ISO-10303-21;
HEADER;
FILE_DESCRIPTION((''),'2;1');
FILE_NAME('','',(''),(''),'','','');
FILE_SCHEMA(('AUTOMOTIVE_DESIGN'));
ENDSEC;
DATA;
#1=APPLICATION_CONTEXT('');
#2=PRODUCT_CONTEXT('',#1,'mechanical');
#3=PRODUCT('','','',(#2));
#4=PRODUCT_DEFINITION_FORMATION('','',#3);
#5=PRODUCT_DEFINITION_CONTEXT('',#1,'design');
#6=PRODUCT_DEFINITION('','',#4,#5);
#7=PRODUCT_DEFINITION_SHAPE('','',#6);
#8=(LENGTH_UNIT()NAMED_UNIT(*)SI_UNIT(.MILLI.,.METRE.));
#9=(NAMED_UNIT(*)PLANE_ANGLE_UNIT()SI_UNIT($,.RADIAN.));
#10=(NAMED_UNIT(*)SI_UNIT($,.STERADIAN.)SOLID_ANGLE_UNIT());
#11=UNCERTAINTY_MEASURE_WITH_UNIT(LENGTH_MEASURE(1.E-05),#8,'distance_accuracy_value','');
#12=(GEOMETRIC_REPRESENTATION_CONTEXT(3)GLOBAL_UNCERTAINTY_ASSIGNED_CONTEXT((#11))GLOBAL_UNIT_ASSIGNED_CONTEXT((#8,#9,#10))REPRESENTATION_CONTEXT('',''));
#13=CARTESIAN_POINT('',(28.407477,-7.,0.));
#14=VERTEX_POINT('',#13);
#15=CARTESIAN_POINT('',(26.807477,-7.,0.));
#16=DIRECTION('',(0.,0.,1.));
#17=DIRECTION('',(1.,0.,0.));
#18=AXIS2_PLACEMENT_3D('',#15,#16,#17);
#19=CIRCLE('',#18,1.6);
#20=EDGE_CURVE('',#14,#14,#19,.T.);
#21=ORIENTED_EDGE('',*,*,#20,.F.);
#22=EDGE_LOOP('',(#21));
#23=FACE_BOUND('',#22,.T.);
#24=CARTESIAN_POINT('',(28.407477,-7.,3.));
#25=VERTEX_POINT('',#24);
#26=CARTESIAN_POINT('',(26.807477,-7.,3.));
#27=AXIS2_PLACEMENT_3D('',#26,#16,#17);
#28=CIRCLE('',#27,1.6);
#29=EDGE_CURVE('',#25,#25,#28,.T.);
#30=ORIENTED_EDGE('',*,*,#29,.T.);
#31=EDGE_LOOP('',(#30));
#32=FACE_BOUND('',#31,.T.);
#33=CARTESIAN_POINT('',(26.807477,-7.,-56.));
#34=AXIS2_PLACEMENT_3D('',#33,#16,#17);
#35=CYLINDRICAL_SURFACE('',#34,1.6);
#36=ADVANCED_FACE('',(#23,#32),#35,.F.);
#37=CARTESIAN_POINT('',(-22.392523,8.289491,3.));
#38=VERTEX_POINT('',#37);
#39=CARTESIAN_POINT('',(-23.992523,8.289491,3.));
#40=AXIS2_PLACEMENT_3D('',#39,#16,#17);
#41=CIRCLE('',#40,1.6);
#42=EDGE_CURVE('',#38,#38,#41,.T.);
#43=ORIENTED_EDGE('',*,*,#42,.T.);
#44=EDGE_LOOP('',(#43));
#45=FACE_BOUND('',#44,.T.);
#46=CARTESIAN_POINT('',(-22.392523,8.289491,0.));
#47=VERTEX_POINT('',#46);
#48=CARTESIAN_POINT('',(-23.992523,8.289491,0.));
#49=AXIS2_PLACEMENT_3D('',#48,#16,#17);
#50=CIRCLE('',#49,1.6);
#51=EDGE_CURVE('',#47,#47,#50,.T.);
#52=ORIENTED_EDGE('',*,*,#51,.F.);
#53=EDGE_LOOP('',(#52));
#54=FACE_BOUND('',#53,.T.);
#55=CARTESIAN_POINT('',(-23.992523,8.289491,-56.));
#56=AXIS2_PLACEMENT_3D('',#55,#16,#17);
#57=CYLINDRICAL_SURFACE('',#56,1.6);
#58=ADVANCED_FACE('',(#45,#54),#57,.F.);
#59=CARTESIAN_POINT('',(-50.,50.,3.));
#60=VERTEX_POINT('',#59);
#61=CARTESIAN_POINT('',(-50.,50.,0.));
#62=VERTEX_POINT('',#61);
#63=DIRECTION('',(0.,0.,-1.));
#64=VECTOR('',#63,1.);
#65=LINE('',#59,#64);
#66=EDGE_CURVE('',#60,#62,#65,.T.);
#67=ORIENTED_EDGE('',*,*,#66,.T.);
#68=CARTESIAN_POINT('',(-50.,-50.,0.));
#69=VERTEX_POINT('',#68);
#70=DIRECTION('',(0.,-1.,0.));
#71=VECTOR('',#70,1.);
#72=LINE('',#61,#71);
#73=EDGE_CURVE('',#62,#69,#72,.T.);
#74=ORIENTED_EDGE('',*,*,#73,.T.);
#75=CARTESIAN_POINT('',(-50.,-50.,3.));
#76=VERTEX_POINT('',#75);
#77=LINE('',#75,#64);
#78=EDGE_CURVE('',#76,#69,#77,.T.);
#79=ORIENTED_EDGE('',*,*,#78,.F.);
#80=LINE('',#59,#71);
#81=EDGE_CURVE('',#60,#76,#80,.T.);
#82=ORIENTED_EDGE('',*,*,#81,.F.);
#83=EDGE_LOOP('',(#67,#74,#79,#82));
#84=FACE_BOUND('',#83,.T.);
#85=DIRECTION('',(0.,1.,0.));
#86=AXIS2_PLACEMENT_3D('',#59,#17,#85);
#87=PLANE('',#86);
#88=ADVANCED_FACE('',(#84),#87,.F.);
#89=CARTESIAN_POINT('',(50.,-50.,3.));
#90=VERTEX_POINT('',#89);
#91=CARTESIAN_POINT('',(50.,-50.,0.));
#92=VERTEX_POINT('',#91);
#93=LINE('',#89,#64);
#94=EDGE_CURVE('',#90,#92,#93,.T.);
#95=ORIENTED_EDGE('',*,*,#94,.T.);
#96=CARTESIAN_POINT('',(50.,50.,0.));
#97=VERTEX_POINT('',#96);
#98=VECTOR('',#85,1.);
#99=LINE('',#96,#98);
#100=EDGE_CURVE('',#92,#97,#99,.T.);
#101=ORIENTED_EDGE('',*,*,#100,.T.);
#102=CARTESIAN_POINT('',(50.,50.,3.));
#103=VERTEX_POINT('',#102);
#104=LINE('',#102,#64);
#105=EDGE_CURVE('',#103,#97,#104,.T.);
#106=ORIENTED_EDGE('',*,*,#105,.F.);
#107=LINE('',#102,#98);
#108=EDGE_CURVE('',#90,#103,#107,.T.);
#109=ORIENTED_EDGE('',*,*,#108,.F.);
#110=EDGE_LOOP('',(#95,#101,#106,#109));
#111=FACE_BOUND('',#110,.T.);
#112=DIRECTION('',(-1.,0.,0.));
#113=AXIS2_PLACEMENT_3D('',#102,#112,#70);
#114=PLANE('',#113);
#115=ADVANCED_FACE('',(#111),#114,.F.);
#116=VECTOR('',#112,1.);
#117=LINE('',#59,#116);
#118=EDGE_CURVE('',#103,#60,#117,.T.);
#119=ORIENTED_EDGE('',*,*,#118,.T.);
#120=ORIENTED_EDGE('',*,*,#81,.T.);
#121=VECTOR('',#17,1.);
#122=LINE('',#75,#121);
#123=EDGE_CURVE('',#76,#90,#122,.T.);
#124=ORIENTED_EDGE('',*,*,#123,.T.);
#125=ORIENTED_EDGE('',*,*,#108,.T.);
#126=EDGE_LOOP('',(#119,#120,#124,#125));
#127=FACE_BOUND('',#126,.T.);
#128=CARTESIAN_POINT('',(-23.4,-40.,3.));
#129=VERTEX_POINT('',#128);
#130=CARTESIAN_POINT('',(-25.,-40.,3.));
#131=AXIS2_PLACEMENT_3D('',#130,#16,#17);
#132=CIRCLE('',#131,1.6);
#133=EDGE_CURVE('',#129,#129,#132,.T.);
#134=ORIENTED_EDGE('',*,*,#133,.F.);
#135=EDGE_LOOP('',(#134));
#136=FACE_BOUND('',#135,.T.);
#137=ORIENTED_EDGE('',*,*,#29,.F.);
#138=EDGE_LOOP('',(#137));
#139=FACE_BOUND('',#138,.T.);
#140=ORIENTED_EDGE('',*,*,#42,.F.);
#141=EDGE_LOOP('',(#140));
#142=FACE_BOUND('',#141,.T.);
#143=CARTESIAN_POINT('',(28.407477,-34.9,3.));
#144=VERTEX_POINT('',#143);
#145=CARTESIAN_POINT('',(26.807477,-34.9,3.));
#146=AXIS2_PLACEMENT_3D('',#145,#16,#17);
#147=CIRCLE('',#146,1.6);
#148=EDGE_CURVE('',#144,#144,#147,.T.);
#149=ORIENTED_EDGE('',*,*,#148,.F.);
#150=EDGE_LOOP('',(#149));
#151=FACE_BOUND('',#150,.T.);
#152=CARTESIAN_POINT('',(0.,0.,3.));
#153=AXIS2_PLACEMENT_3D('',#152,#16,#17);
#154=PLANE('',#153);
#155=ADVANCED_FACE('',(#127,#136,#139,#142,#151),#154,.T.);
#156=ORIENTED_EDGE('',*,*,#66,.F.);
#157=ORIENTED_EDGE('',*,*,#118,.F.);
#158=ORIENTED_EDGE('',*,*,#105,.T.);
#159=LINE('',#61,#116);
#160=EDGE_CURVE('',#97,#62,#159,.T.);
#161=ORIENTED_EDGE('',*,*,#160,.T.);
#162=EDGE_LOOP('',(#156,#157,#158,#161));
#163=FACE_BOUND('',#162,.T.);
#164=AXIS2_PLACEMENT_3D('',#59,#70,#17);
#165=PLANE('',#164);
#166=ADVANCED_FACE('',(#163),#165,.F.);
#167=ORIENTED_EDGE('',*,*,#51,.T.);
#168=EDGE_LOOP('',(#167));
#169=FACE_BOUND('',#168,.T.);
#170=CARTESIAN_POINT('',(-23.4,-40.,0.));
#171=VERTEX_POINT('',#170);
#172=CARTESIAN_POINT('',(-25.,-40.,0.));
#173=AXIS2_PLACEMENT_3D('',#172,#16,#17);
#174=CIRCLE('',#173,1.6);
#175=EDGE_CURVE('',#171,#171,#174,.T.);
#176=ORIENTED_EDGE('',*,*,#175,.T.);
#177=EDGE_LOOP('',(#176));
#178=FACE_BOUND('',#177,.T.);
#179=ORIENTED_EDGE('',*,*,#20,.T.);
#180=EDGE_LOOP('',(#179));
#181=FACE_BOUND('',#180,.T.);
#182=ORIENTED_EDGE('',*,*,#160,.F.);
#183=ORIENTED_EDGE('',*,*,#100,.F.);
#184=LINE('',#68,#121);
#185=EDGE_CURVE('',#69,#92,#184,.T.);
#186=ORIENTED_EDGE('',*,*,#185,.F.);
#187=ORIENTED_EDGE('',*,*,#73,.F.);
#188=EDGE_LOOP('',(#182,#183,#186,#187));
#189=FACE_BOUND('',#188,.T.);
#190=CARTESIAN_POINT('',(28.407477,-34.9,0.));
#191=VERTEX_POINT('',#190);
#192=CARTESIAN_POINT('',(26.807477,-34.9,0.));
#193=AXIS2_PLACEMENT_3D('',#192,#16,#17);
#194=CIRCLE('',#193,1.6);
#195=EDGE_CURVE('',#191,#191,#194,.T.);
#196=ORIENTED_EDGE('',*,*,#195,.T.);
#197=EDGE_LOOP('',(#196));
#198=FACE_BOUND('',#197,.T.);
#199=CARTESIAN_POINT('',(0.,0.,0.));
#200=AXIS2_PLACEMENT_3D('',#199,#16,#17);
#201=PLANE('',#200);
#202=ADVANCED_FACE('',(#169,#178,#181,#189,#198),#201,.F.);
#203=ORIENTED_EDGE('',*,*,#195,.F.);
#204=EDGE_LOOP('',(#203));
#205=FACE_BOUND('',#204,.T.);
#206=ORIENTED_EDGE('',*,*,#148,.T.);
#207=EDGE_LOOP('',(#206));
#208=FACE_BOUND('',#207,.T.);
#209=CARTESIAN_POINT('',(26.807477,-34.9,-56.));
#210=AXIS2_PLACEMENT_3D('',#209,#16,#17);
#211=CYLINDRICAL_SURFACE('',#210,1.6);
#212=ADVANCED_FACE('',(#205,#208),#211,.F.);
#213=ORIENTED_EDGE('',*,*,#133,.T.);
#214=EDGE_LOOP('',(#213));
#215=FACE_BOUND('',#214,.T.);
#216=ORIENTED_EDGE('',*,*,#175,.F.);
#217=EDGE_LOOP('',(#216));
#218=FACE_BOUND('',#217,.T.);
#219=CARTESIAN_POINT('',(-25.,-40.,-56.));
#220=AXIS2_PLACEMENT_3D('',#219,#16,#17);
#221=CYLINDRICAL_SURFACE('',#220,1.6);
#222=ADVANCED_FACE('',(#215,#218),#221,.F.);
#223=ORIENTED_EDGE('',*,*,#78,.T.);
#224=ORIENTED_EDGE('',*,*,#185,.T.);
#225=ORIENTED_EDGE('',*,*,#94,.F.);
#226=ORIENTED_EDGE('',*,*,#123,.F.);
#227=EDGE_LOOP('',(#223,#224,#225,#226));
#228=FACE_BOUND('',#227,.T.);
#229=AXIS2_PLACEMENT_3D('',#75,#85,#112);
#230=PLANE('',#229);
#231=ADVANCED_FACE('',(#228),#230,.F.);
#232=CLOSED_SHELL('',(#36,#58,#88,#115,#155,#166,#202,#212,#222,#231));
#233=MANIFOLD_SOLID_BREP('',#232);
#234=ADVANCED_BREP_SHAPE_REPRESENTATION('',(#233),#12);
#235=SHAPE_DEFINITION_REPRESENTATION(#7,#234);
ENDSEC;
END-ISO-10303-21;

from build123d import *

# Parameters (mm, degrees)
SKETCH1_W           = 100
SKETCH1_H           = 100
BOSS_EXTRUDE1_DEPTH = 3
SKETCH2_R           = 1.6
CUT_EXTRUDE1_DEPTH  = 59


with BuildPart() as part:
    # Sketch1 → Boss-Extrude1 (new body)
    with BuildSketch(Plane.XY):
        Rectangle(SKETCH1_W, SKETCH1_H)
    extrude(amount=BOSS_EXTRUDE1_DEPTH)

    # Sketch2 → Cut-Extrude1 (cut)
    with BuildSketch(Plane.XY.offset(3)):
        with Locations((26.807477417, -34.9)):
            Circle(SKETCH2_R)
        with Locations((26.807477417, -7)):
            Circle(SKETCH2_R)
        with Locations((-25, -40)):
            Circle(SKETCH2_R)
        with Locations((-23.992522583, 8.289491499)):
            Circle(SKETCH2_R)
    extrude(amount=-CUT_EXTRUDE1_DEPTH, mode=Mode.SUBTRACT)


solid = part.part
